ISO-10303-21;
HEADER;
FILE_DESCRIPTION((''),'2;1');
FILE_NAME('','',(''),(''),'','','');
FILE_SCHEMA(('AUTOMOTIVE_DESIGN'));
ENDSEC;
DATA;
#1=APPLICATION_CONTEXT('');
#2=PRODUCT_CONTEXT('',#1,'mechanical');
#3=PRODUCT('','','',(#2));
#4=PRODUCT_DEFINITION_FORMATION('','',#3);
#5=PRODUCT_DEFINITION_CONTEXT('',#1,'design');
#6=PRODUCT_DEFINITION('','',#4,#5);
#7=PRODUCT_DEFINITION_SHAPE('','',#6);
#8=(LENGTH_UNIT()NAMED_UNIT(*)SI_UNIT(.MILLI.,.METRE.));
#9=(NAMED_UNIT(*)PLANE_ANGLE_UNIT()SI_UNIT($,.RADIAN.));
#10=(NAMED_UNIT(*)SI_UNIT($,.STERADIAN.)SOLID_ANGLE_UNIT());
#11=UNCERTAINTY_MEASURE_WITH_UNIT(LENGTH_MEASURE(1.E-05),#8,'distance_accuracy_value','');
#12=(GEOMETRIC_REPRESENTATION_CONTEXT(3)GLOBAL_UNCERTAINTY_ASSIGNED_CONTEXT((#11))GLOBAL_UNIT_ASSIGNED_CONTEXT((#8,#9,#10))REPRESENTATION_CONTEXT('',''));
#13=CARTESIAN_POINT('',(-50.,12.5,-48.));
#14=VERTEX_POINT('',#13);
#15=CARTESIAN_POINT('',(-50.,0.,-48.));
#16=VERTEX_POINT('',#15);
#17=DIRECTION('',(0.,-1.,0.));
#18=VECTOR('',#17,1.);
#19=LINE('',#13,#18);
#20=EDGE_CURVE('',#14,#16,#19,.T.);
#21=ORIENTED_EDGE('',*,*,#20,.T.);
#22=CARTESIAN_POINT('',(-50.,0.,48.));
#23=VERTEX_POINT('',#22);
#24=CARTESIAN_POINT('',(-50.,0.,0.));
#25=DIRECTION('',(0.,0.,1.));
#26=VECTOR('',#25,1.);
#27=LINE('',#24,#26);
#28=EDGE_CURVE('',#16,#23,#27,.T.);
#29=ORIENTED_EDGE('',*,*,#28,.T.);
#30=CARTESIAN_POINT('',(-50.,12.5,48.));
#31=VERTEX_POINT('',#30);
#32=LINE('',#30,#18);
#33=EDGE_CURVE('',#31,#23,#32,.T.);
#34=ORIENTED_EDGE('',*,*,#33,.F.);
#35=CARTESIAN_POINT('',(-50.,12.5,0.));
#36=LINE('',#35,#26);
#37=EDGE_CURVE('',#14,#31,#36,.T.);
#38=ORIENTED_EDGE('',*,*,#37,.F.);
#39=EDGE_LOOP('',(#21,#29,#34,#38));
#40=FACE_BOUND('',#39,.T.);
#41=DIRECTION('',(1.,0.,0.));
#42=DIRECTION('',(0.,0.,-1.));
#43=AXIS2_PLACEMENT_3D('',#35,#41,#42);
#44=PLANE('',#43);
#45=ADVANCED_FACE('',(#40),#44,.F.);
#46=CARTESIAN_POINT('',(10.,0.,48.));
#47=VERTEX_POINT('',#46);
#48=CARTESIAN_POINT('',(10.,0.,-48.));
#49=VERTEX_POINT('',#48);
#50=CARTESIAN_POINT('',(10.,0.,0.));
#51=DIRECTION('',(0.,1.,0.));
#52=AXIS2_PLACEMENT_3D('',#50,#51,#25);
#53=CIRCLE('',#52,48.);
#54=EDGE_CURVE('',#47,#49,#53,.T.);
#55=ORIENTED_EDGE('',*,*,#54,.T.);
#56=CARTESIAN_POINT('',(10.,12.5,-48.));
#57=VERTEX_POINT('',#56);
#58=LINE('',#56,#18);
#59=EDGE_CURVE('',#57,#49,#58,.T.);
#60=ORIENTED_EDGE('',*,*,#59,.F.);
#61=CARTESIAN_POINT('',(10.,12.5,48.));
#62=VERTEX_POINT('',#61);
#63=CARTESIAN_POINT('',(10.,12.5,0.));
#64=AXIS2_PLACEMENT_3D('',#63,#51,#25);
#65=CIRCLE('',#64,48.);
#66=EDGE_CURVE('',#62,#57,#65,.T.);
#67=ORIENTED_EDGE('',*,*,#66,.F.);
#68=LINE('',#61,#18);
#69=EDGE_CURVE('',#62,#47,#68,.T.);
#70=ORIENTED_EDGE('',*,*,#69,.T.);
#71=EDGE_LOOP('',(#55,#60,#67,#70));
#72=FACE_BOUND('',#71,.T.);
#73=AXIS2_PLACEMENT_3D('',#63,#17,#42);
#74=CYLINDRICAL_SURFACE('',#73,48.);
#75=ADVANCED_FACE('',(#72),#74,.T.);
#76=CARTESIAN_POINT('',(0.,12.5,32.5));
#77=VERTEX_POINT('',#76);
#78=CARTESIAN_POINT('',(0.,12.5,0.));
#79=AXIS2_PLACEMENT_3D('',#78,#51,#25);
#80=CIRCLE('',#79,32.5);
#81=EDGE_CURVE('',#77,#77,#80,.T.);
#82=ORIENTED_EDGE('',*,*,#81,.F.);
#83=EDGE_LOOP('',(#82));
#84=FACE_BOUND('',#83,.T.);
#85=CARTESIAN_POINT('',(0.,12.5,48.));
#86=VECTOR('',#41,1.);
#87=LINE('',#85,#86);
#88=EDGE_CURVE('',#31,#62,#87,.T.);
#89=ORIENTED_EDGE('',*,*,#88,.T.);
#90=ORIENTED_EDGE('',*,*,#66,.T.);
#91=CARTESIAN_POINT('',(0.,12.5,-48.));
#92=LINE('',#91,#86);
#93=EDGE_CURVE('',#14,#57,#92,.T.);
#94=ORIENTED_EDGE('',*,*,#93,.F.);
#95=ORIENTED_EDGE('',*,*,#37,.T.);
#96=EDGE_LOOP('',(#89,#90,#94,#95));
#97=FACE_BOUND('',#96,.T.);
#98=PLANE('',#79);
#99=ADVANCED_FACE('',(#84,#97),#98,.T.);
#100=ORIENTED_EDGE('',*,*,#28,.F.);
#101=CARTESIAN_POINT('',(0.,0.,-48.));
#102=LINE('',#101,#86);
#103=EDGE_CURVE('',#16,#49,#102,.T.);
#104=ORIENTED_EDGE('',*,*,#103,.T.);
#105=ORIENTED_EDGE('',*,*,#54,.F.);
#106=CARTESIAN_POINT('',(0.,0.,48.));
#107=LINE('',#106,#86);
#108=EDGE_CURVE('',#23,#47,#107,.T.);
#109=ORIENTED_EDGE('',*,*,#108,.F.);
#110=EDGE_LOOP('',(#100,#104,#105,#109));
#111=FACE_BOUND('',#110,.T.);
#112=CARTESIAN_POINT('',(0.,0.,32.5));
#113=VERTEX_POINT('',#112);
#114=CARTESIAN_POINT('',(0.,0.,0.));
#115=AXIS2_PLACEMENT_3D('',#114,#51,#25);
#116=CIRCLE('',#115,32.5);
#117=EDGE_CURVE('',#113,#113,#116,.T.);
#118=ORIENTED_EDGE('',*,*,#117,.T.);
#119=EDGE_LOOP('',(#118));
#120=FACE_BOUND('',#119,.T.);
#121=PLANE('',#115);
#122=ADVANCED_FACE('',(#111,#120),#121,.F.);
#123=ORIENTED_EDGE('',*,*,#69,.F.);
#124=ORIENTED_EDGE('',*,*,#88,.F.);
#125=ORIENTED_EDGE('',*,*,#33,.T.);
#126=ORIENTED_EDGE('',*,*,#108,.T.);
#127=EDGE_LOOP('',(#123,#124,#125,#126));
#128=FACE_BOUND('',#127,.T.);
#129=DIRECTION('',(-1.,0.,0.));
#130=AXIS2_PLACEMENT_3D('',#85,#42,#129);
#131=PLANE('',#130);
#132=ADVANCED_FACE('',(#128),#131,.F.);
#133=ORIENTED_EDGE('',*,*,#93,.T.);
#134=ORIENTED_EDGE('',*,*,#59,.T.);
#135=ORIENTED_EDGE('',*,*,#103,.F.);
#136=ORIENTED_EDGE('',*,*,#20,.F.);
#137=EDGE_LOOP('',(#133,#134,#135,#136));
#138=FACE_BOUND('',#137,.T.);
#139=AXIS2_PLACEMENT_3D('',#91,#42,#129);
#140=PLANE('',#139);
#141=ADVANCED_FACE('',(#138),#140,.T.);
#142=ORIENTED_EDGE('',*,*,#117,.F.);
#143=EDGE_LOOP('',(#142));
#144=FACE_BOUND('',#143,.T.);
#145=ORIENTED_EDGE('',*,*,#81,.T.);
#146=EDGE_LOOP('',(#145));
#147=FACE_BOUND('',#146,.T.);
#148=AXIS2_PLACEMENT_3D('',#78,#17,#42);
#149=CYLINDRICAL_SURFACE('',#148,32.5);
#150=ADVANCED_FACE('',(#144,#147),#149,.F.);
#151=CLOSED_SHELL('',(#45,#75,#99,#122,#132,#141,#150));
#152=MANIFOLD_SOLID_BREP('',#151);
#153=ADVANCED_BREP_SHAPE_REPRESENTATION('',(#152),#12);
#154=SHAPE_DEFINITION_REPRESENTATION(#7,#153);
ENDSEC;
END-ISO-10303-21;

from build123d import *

# Parameters (mm, degrees)
SKETCH1_R           = 32.5
BOSS_EXTRUDE1_DEPTH = 12.5


with BuildPart() as part:
    # Sketch1 → Boss-Extrude1 (new body)
    # profile 1 of 2: a face of its own
    with BuildSketch(Plane(origin=(0, 0, 0), x_dir=(1, 0, 0), z_dir=(0, 1, 0))):
        with BuildLine():
            Line((0, -48), (10, -48))
            ThreePointArc((10, -48), (58, 0), (10, 48))
            Line((10, 48), (0, 48))
            Line((0, 48), (-50, 48))
            Line((-50, 48), (-50, -48))
            Line((-50, -48), (0, -48))
        make_face()
        with BuildLine():
            ThreePointArc((10, -40), (50, 0), (10, 40))
            Line((10, 40), (0, 40))
            Line((0, 40), (-42, 40))
            Line((-42, 40), (-42, -40))
            Line((-42, -40), (0, -40))
            Line((0, -40), (10, -40))
        make_face(mode=Mode.SUBTRACT)
    # profile 2 of 2: a face of its own
    with BuildSketch(Plane(origin=(0, 0, 0), x_dir=(1, 0, 0), z_dir=(0, 1, 0))):
        with BuildLine():
            Line((0, -40), (10, -40))
            ThreePointArc((10, -40), (50, 0), (10, 40))
            Line((10, 40), (0, 40))
            Line((0, 40), (-42, 40))
            Line((-42, 40), (-42, -40))
            Line((-42, -40), (0, -40))
        make_face()
        with Locations(Location((0, 0, 0), (0, 0, 270))):
            Circle(SKETCH1_R, mode=Mode.SUBTRACT)
    extrude(amount=BOSS_EXTRUDE1_DEPTH)


solid = part.part
